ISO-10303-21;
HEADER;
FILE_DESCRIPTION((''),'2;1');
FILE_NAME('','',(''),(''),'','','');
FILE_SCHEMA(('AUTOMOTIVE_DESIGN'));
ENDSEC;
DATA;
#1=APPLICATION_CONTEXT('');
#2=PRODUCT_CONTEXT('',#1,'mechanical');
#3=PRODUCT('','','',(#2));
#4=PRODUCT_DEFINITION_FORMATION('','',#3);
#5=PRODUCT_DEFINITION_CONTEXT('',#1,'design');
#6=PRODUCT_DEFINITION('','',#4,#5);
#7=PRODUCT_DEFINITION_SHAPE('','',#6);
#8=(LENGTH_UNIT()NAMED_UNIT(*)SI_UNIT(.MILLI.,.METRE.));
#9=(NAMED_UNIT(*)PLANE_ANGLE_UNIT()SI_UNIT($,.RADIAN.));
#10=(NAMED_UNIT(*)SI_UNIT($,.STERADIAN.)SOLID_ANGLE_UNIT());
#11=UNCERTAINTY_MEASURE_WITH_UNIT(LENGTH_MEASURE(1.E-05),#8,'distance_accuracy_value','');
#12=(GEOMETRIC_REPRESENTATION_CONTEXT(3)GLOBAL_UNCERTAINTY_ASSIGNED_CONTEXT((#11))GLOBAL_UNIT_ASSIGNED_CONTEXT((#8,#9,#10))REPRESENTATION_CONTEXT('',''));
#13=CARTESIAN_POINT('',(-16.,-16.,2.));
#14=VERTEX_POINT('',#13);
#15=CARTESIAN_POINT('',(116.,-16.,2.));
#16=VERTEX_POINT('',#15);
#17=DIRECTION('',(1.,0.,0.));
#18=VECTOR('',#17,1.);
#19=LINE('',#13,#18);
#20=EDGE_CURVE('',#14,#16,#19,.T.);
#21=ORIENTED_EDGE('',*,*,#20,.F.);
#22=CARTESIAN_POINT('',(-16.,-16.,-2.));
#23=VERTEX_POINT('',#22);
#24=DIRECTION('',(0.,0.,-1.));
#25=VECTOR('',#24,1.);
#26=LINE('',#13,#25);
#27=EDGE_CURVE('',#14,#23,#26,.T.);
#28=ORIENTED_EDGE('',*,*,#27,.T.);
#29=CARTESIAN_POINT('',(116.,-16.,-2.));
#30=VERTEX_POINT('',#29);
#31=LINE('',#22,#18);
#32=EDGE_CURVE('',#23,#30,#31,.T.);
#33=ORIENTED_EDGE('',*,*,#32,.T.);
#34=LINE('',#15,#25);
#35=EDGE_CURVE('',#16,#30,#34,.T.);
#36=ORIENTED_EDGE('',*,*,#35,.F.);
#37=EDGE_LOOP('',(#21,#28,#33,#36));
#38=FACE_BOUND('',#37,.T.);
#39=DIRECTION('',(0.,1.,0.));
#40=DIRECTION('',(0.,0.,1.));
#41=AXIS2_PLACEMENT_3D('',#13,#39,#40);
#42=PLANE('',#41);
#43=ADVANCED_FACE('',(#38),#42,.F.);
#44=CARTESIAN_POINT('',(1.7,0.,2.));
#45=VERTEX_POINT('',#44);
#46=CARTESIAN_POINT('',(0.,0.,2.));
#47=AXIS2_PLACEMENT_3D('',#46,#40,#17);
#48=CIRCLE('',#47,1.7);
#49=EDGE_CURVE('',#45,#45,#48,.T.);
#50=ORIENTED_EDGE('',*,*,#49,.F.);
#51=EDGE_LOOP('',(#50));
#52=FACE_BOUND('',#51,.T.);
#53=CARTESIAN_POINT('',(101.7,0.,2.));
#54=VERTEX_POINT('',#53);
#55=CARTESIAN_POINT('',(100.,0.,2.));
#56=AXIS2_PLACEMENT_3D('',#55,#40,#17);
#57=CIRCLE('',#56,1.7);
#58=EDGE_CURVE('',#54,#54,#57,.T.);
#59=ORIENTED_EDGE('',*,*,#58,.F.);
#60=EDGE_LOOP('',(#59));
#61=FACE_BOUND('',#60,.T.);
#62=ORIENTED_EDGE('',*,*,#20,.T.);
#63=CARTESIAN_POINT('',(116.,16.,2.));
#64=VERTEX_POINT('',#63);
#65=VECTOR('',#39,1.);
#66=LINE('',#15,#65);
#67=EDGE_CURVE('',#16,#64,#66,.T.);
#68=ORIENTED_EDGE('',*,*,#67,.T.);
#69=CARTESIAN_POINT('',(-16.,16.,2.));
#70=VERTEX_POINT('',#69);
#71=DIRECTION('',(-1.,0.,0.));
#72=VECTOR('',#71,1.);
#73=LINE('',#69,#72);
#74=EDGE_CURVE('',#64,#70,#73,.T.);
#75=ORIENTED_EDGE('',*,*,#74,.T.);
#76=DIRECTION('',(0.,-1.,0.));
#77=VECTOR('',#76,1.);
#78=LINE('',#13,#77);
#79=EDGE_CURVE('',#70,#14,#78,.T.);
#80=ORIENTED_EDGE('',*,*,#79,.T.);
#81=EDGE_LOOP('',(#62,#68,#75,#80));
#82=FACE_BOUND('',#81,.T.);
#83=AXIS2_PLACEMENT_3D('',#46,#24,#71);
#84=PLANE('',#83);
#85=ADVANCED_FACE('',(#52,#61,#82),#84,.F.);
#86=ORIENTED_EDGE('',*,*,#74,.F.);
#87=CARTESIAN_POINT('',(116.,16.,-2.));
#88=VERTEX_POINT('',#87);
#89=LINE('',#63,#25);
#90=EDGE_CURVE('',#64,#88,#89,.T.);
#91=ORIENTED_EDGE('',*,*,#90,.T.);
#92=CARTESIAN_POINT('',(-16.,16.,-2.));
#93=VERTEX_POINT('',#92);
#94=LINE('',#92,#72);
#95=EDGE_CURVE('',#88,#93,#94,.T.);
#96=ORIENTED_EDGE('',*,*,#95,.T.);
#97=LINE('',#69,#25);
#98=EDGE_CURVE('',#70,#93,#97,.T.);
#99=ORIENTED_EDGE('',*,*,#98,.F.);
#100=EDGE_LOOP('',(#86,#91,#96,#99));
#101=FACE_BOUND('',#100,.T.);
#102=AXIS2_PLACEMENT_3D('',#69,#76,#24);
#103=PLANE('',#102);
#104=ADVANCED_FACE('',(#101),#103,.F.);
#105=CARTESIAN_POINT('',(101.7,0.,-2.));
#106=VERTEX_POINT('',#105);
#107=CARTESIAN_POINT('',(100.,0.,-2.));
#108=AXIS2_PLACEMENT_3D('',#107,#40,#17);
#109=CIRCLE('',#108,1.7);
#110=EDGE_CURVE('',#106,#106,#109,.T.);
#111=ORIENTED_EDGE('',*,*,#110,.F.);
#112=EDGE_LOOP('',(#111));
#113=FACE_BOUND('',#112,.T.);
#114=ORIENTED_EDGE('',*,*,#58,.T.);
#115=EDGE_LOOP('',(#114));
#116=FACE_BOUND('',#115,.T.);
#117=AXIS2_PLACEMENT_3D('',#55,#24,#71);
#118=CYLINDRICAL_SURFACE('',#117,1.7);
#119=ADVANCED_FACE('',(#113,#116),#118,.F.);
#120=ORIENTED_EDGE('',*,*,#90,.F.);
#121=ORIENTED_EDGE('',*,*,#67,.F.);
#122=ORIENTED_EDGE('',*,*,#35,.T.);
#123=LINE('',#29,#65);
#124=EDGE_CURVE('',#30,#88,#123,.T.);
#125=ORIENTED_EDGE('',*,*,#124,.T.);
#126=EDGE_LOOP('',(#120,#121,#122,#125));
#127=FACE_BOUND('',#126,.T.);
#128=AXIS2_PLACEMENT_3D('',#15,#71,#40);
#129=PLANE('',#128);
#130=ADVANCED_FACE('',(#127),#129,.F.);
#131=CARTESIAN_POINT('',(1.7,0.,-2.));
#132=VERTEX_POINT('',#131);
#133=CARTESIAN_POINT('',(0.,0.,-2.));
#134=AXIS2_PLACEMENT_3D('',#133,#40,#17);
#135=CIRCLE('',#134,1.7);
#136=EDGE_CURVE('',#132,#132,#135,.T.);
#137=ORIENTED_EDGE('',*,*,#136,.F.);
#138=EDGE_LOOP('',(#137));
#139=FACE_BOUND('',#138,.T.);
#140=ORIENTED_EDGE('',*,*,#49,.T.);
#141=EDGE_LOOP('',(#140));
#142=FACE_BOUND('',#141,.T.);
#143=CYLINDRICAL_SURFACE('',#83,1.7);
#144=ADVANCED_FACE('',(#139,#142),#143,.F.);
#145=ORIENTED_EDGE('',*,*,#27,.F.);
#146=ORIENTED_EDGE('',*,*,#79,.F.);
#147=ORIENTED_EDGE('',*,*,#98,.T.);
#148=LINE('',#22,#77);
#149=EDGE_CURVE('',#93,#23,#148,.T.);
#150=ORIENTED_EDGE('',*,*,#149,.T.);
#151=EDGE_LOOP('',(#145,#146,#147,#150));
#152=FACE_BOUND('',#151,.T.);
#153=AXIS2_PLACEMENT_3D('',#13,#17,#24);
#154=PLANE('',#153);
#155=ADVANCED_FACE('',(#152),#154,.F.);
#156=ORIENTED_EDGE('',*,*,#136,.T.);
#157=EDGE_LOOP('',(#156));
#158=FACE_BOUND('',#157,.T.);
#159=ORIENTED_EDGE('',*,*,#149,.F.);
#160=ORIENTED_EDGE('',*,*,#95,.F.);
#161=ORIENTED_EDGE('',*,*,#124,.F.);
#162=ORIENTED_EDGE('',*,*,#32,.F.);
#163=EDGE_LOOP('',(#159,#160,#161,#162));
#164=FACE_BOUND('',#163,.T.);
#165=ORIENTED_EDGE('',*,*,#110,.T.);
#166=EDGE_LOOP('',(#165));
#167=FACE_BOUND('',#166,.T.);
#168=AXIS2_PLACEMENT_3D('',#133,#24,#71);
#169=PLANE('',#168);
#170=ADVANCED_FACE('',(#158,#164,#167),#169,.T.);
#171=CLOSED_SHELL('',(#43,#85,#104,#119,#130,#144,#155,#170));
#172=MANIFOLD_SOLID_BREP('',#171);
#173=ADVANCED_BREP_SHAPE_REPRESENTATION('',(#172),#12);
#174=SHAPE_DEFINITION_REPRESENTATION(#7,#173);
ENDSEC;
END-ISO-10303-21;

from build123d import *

# Parameters (mm, degrees)
SKETCH_1_W      = 132
SKETCH_1_H      = 32
SKETCH_1_R      = 1.7
EXTRUDE_1_DEPTH = 2


with BuildPart() as part:
    # 草图1 → 凸台-拉伸1 (new, symmetric)
    with BuildSketch(Plane.XY):
        with Locations((50, 0)):
            Rectangle(SKETCH_1_W, SKETCH_1_H)
        Circle(SKETCH_1_R, mode=Mode.SUBTRACT)
        with Locations((100, 0)):
            Circle(SKETCH_1_R, mode=Mode.SUBTRACT)
    extrude(amount=EXTRUDE_1_DEPTH, both=True)


solid = part.part
